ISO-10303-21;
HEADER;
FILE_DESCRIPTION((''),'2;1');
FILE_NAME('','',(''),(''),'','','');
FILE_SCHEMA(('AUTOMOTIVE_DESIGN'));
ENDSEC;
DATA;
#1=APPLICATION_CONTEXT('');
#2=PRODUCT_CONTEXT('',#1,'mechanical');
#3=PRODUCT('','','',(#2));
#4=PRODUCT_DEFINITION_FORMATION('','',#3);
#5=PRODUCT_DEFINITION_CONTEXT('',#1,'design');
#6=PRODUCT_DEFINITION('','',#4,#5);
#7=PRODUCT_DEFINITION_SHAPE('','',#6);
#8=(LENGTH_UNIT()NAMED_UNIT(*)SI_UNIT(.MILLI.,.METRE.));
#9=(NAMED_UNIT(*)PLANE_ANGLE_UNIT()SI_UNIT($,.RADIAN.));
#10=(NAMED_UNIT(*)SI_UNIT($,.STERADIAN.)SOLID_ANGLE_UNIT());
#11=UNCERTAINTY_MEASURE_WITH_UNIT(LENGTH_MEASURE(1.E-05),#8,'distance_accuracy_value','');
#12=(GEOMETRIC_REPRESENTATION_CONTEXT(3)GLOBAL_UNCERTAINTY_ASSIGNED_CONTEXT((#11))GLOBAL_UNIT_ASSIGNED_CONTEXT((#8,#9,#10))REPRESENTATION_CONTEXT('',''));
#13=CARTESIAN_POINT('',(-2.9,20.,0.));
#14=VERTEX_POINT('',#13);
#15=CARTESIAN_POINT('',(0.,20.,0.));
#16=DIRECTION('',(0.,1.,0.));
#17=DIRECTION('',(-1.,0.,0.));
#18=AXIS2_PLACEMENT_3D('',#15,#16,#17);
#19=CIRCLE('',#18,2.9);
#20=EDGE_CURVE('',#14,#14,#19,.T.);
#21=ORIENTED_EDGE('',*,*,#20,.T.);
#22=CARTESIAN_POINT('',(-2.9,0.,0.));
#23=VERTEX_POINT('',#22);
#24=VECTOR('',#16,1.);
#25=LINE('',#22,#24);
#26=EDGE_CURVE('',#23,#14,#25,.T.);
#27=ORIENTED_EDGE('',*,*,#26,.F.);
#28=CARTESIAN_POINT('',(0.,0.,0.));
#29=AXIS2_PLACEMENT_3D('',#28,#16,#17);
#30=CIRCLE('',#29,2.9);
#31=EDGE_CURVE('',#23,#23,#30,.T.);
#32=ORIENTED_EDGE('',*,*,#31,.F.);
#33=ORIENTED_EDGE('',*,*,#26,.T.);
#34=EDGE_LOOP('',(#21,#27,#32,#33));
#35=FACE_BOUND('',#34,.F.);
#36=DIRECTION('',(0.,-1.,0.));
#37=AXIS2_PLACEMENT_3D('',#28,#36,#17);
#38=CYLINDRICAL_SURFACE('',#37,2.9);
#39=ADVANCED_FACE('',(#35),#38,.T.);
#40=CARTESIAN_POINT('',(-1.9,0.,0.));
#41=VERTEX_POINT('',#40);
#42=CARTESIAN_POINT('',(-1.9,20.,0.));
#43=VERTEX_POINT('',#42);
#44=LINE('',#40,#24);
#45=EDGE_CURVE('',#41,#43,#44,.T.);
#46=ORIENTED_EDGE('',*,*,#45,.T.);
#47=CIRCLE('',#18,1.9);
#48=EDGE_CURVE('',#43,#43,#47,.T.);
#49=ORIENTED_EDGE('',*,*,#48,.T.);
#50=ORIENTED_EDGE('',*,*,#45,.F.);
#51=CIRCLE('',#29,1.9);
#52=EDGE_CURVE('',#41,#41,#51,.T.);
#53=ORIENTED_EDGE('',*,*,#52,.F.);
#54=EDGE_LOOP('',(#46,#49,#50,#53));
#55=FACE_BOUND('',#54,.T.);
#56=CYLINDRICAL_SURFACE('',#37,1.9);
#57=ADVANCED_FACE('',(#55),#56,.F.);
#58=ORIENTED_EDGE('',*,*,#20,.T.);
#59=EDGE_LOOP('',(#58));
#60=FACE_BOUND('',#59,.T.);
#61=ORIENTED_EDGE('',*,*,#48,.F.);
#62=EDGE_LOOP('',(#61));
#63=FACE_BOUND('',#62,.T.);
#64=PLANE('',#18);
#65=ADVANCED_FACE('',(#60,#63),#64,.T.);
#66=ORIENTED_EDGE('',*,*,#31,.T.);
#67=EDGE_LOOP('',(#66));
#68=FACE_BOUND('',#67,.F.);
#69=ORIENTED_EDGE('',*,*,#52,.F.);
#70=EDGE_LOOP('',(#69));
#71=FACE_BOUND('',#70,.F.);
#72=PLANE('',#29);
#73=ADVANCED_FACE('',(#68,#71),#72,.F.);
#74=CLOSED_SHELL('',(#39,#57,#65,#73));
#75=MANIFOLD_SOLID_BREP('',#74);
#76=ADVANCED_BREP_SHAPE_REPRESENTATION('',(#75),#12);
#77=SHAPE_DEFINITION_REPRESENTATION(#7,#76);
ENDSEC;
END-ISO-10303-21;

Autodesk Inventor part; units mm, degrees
ref_plane "YZ Plane" through (0, 0, 0) normal (1, 0, 0) x (0, 1, 0)
ref_plane "XZ Plane" through (0, 0, 0) normal (0, 1, 0) x (-1, 0, 0)
ref_plane "XY Plane" through (0, 0, 0) normal (0, 0, 1) x (1, 0, 0)
sketch "Skizze1" plane through (0, 0, 0) normal (0, 1, 0) x (-1, 0, 0)
  circle A0 centre (0, 0) radius 1.9
  circle A1 centre (0, 0) radius 2.9
  dimension "d0" = 3.8
  dimension "d1" = 1
extrude "Extrusion1" add sketch "Skizze1" along normal blind 20
properties part number "Platzhalter Zylinder Klein"
